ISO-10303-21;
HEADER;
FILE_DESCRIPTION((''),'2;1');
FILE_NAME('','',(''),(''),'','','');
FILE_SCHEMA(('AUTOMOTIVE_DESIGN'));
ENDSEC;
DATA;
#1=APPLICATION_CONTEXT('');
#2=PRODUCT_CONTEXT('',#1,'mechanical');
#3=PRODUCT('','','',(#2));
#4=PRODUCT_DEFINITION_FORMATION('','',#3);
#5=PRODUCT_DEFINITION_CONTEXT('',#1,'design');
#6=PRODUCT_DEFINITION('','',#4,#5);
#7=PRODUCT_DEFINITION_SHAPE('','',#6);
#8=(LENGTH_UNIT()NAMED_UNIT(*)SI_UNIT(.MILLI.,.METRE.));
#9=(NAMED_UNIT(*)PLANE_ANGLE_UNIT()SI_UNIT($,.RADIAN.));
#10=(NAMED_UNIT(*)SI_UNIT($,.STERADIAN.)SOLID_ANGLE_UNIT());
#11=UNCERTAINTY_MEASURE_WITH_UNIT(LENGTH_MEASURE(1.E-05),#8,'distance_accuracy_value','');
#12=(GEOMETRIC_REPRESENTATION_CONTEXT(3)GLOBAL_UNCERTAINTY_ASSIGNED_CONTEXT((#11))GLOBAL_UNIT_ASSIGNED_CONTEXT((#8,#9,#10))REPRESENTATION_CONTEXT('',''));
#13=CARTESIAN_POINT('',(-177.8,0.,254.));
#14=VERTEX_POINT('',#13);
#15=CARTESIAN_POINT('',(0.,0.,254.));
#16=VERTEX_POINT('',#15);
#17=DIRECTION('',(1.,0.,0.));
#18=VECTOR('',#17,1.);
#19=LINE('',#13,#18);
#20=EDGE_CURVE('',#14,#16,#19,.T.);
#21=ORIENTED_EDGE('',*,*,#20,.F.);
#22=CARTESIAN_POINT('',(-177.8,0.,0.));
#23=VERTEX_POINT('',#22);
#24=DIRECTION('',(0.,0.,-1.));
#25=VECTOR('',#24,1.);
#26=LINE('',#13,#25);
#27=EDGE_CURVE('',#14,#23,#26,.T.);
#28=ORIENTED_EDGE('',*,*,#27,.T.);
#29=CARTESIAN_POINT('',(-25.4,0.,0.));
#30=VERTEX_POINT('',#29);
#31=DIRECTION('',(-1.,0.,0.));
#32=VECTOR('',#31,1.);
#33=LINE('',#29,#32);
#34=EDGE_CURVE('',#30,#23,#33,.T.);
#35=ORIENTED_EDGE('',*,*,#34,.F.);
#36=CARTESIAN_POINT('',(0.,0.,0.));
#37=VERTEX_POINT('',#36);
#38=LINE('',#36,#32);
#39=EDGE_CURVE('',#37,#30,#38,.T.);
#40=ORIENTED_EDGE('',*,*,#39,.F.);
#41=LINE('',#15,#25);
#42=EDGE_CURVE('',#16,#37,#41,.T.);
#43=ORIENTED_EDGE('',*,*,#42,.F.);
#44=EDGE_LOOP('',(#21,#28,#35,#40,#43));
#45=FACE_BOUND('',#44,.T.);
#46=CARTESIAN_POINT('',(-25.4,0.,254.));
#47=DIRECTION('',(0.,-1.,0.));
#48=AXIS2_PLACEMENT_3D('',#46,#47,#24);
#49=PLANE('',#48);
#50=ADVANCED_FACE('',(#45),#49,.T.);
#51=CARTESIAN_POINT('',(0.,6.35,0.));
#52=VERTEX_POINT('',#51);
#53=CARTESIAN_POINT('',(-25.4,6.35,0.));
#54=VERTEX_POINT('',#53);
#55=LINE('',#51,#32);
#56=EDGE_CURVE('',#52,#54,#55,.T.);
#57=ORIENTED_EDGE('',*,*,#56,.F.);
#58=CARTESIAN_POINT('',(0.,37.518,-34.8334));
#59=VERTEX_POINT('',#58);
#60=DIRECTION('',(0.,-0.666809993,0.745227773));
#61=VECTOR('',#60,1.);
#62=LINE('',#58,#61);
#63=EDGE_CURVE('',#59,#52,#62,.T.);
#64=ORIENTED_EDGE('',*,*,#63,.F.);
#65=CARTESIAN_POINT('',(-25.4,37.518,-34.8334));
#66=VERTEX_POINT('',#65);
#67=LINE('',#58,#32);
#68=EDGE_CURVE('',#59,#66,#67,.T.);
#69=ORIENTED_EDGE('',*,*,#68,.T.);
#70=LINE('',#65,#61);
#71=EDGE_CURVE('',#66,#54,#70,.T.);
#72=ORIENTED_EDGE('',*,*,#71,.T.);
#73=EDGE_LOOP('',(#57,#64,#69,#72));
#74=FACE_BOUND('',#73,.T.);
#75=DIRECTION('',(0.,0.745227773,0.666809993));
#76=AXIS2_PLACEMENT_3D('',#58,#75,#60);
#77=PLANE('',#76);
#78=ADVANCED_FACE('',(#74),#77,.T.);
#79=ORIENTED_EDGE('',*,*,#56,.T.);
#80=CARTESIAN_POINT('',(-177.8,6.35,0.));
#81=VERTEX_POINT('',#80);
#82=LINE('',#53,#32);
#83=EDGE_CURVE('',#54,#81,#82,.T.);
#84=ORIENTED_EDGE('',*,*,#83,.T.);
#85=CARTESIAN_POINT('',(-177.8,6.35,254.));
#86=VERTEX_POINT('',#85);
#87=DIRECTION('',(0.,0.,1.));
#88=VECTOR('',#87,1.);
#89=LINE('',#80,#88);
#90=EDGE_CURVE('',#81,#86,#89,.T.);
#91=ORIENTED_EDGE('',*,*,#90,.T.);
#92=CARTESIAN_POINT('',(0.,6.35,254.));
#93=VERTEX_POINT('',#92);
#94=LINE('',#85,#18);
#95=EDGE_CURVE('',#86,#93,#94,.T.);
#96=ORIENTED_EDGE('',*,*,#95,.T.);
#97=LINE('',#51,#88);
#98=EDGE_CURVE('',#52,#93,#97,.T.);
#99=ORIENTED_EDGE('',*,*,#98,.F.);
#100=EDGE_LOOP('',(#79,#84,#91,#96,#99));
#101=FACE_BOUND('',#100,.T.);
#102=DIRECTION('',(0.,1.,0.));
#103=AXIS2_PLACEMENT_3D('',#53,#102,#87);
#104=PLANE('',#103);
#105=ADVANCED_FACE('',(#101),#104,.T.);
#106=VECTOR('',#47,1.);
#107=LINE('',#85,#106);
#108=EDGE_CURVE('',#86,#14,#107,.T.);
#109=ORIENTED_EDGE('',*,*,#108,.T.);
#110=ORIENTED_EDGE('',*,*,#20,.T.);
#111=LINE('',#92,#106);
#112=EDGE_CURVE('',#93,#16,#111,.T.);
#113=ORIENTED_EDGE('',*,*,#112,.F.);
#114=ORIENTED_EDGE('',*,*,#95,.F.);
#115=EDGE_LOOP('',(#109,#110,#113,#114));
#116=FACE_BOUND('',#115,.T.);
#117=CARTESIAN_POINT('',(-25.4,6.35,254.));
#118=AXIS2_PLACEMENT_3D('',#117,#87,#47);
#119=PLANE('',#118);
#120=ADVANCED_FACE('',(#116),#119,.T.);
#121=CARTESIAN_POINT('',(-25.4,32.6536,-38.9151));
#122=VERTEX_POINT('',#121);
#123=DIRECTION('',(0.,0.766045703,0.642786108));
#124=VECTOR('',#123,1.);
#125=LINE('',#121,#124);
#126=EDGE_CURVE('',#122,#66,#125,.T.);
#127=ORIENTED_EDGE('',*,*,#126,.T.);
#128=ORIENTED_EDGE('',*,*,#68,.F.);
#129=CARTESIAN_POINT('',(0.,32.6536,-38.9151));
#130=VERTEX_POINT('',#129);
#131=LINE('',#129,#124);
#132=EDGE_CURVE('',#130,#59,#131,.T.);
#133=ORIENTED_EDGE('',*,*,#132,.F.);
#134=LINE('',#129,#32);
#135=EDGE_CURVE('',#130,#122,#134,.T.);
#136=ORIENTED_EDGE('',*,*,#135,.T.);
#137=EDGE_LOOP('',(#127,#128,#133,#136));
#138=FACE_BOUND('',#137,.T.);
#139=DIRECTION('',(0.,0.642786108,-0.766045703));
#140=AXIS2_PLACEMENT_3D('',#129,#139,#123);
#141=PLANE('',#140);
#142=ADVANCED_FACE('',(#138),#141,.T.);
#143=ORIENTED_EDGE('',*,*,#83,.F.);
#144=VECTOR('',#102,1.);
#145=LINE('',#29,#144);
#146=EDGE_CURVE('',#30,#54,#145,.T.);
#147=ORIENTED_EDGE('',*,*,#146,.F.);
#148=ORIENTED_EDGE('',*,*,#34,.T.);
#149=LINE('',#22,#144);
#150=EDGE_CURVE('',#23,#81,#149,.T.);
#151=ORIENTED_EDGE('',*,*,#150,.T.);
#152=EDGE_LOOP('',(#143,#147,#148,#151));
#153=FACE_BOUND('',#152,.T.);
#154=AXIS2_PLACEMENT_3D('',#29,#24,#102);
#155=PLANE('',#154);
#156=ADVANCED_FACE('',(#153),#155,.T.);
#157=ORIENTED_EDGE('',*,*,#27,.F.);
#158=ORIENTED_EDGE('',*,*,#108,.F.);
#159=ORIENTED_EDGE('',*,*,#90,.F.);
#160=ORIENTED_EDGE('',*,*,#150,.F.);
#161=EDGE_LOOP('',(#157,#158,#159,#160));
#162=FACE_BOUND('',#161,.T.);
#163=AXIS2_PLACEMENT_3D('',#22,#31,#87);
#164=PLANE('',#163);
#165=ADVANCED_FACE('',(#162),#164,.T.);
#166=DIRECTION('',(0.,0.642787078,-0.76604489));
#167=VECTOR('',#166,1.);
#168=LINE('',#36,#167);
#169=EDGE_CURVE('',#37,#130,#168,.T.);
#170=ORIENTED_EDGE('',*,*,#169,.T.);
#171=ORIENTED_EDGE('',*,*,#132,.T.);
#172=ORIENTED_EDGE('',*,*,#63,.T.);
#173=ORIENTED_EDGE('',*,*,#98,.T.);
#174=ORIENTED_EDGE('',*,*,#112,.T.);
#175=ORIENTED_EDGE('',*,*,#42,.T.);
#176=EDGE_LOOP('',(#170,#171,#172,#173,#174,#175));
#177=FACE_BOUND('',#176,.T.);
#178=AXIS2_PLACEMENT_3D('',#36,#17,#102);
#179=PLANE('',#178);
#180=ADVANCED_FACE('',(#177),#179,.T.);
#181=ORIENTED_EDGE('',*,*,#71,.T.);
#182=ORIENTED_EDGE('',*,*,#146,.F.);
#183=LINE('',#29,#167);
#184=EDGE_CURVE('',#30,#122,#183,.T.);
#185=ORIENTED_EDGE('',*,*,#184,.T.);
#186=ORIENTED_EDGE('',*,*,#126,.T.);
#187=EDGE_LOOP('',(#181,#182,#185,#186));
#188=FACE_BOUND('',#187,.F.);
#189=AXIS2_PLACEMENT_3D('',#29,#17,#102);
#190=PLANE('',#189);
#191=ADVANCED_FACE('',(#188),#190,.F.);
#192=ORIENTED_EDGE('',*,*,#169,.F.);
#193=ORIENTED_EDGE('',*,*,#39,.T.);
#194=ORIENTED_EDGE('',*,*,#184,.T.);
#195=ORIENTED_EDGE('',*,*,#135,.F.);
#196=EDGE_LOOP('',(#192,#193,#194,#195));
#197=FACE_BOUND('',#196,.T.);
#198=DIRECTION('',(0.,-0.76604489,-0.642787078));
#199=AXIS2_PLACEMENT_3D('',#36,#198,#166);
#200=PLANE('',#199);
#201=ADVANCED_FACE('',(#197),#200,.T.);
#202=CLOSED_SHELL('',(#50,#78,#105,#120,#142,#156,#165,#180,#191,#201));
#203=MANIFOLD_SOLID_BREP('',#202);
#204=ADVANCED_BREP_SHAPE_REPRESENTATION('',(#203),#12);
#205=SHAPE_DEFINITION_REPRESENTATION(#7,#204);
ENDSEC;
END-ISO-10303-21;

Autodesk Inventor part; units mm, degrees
ref_plane "YZ Plane" through (0, 0, 0) normal (1, 0, 0) x (0, 1, 0)
ref_plane "XZ Plane" through (0, 0, 0) normal (0, 1, 0) x (-1, 0, 0)
ref_plane "XY Plane" through (0, 0, 0) normal (0, 0, 1) x (1, 0, 0)
sketch "Sketch1" plane through (0, 0, 0) normal (1, 0, 0) x (0, 1, 0)
  line L0 (0, 0) -> (6.35, 0)
  line L1 (6.35, 0) -> (6.35, 254)
  line L2 (6.35, 254) -> (0, 254)
  line L3 (0, 254) -> (0, 0)
  line L4 (0, 0) -> (32.6536, -38.9151)
  line L5 (0, 0) -> (50.8, 0) construction
  line L6 (32.6536, -38.9151) -> (37.518, -34.8334)
  line L7 (37.518, -34.8334) -> (6.35, 0)
  dimension "d0" = 6.35
  dimension "d1" = 254
  dimension "d2" = 50.8
  dimension "d3" = 50
  dimension "d4" = 6.35
extrude "Extrusion1" add sketch "Sketch1" against normal blind 25.4
sketch "Sketch2" plane through (-25.4, 0, 0) normal (-1, 0, 0) x (0, 0, 1)
  line L0 (0, 6.35) -> (254, 6.35)
  line L1 (254, 6.35) -> (254, 0)
  line L2 (254, 0) -> (0, 0)
  line L3 (0, 0) -> (0, 6.35)
extrude "Extrusion2" add sketch "Sketch2" along normal blind 152.4
properties part number "Ball Blocker 2"
